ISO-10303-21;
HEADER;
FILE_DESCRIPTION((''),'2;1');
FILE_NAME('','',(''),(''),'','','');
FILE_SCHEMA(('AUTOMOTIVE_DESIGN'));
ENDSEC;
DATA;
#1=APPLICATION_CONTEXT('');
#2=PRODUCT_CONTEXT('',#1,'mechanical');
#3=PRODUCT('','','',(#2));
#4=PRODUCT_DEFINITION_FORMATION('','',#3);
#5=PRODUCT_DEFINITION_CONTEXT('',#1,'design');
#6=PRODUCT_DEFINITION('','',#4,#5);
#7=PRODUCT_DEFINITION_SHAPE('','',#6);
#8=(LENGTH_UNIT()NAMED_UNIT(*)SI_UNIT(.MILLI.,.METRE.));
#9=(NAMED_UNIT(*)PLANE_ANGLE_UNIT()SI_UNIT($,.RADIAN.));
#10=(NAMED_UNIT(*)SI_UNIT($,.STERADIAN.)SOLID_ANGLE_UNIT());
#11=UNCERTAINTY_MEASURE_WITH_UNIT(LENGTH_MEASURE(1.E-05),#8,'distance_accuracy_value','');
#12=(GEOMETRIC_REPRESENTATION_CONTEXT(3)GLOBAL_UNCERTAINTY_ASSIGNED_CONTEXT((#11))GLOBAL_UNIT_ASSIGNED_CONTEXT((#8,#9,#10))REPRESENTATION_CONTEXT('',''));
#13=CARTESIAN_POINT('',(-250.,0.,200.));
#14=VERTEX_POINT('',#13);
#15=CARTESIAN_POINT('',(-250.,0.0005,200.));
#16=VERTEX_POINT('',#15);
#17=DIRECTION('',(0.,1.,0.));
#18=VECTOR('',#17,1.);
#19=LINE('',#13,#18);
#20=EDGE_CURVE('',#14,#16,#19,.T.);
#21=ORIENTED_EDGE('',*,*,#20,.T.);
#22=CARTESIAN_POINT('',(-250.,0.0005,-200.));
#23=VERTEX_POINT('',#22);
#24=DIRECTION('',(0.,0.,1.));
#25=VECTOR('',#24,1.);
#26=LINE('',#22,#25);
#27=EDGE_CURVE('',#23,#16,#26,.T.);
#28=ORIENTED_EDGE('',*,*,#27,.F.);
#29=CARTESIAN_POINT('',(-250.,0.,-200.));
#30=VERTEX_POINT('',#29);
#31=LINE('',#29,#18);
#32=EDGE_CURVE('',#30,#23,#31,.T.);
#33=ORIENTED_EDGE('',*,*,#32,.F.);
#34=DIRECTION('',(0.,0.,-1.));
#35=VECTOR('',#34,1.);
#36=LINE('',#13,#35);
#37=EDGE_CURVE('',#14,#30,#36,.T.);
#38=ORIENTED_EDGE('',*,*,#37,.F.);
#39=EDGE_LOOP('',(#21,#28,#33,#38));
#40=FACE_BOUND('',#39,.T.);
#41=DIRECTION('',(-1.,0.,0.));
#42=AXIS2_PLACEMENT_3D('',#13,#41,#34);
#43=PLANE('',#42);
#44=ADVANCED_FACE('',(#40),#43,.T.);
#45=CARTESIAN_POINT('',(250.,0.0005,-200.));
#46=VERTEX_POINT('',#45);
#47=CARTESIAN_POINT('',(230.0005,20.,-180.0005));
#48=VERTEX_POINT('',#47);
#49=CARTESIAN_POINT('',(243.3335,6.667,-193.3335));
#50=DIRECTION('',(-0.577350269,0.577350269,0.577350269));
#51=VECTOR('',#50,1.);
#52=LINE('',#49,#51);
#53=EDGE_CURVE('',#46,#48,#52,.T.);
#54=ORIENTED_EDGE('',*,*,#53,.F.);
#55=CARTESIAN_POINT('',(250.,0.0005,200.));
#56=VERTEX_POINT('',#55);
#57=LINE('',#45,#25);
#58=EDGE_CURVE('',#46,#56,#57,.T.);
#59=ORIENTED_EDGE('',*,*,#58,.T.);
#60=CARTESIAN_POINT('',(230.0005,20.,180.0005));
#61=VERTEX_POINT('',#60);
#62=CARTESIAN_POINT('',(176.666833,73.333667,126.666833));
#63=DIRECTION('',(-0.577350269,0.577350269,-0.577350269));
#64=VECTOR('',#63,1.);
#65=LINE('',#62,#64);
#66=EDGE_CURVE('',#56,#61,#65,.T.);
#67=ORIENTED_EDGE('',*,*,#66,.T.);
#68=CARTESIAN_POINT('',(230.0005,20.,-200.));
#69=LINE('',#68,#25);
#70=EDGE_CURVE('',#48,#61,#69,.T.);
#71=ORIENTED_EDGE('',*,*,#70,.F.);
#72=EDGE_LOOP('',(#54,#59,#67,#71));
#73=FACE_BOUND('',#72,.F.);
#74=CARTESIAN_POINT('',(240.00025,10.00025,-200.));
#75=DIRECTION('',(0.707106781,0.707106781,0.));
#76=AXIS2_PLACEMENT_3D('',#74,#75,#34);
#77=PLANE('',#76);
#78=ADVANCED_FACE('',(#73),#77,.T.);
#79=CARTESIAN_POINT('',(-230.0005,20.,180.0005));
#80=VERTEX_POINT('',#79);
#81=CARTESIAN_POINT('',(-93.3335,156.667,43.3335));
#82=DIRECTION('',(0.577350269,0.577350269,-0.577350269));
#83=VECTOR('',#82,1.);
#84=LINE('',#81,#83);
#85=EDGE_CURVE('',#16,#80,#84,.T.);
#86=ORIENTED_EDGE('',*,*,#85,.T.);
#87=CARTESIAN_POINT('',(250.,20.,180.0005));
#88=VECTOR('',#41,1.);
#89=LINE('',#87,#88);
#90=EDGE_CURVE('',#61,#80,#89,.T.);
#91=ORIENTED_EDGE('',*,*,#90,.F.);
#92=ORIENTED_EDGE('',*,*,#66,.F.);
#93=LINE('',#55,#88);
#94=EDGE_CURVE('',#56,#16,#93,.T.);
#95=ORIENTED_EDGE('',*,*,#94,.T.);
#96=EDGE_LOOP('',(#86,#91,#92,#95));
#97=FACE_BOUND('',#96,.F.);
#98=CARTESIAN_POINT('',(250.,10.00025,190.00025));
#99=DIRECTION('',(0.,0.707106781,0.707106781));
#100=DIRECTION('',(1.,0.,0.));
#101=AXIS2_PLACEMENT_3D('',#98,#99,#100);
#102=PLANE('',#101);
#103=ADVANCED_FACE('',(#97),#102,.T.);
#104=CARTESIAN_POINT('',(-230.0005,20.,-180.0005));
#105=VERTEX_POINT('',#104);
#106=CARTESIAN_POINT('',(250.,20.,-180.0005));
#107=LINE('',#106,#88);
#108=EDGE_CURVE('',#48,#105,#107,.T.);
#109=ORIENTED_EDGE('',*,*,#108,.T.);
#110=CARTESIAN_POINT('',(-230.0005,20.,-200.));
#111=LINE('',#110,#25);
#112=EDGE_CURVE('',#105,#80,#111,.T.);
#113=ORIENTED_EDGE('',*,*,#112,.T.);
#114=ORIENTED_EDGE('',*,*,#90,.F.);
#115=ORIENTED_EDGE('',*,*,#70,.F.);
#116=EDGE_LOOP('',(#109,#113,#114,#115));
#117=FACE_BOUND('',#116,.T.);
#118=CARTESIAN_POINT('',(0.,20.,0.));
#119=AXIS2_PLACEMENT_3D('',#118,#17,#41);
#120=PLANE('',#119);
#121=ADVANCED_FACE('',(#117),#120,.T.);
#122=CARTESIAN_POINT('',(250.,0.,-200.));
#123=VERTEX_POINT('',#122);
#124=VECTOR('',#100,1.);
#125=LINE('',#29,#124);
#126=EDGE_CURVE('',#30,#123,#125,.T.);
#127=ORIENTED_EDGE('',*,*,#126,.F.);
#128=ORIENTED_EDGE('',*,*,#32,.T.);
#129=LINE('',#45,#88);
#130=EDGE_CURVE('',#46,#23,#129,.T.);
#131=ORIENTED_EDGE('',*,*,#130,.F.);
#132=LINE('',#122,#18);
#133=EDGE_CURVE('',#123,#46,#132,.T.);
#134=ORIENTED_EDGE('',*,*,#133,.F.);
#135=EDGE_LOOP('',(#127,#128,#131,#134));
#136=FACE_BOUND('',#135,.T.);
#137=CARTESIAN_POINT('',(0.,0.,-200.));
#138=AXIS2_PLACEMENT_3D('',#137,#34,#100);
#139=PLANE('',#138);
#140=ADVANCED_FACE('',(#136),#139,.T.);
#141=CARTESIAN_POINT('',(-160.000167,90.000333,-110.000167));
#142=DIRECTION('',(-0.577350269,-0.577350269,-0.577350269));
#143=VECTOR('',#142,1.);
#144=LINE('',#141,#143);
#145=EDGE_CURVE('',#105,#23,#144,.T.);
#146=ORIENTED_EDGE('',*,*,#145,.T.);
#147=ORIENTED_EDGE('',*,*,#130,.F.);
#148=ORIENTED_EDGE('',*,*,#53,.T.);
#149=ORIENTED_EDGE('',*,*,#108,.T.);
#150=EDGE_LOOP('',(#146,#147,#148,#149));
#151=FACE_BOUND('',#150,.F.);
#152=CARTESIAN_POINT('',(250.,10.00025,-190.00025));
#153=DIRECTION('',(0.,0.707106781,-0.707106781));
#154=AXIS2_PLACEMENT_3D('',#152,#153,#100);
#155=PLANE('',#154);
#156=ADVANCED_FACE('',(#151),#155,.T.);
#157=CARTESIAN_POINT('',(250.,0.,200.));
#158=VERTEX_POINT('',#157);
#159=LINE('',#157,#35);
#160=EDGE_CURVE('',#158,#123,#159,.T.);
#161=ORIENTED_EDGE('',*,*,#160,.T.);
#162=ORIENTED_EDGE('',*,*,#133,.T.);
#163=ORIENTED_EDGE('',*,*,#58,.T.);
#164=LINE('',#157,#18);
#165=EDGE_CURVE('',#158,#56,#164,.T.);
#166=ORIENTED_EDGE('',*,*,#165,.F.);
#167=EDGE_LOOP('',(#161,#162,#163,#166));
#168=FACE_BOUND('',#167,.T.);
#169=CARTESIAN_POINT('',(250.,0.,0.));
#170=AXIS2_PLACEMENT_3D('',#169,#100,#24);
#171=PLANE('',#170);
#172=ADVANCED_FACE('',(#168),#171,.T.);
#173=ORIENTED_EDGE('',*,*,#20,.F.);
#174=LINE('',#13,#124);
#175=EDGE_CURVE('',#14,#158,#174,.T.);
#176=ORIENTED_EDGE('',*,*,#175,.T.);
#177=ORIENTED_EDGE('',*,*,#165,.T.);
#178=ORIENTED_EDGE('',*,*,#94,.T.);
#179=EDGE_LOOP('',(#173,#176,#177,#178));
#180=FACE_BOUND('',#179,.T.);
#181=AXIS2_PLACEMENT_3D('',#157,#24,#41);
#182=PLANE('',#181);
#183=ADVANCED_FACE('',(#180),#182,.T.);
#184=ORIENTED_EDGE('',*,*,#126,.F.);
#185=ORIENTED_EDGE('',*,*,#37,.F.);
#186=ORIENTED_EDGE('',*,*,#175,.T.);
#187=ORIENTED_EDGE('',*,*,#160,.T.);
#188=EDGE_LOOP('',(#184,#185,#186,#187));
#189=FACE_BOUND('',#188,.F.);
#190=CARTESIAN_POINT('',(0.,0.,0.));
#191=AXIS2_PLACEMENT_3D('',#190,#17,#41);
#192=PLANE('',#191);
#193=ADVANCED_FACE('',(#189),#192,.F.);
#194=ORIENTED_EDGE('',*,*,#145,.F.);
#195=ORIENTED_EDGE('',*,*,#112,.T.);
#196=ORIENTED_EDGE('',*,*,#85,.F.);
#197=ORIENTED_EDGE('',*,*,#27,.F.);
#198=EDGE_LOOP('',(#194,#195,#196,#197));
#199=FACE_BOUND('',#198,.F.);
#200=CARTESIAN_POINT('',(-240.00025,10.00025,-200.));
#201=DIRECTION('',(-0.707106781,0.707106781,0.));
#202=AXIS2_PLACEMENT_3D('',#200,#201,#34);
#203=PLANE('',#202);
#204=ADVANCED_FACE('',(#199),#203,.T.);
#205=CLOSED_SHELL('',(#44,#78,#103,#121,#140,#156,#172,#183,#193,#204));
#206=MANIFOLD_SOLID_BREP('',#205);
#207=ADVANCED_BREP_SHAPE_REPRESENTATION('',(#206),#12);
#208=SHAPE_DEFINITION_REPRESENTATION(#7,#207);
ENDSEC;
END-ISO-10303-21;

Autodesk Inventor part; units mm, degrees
ref_plane "YZ Plane" through (0, 0, 0) normal (1, 0, 0) x (0, 1, 0)
ref_plane "XZ Plane" through (0, 0, 0) normal (0, 1, 0) x (-1, 0, 0)
ref_plane "XY Plane" through (0, 0, 0) normal (0, 0, 1) x (1, 0, 0)
sketch "Skizze1" plane through (0, 0, 0) normal (0, 1, 0) x (-1, 0, 0)
  line L0 (-250, 200) -> (250, 200)
  line L1 (250, 200) -> (250, -200)
  line L2 (250, -200) -> (-250, -200)
  line L3 (-250, -200) -> (-250, 200)
  line L4 (350, 0) -> (-350, 0) projected
  line L5 (0, -280) -> (0, 280) projected
  point P0 (0, 0)
  dimension "d0" = 500
  dimension "d1" = 400
extrude "Extrusion1" add sketch "Skizze1" along normal blind 20
chamfer "Fase1" distance 20 angle 45 4 edges at (0, 20, 200) (250, 20, 0) (0, 20, -200) (-250, 20, 0)
properties part number "Boden"
